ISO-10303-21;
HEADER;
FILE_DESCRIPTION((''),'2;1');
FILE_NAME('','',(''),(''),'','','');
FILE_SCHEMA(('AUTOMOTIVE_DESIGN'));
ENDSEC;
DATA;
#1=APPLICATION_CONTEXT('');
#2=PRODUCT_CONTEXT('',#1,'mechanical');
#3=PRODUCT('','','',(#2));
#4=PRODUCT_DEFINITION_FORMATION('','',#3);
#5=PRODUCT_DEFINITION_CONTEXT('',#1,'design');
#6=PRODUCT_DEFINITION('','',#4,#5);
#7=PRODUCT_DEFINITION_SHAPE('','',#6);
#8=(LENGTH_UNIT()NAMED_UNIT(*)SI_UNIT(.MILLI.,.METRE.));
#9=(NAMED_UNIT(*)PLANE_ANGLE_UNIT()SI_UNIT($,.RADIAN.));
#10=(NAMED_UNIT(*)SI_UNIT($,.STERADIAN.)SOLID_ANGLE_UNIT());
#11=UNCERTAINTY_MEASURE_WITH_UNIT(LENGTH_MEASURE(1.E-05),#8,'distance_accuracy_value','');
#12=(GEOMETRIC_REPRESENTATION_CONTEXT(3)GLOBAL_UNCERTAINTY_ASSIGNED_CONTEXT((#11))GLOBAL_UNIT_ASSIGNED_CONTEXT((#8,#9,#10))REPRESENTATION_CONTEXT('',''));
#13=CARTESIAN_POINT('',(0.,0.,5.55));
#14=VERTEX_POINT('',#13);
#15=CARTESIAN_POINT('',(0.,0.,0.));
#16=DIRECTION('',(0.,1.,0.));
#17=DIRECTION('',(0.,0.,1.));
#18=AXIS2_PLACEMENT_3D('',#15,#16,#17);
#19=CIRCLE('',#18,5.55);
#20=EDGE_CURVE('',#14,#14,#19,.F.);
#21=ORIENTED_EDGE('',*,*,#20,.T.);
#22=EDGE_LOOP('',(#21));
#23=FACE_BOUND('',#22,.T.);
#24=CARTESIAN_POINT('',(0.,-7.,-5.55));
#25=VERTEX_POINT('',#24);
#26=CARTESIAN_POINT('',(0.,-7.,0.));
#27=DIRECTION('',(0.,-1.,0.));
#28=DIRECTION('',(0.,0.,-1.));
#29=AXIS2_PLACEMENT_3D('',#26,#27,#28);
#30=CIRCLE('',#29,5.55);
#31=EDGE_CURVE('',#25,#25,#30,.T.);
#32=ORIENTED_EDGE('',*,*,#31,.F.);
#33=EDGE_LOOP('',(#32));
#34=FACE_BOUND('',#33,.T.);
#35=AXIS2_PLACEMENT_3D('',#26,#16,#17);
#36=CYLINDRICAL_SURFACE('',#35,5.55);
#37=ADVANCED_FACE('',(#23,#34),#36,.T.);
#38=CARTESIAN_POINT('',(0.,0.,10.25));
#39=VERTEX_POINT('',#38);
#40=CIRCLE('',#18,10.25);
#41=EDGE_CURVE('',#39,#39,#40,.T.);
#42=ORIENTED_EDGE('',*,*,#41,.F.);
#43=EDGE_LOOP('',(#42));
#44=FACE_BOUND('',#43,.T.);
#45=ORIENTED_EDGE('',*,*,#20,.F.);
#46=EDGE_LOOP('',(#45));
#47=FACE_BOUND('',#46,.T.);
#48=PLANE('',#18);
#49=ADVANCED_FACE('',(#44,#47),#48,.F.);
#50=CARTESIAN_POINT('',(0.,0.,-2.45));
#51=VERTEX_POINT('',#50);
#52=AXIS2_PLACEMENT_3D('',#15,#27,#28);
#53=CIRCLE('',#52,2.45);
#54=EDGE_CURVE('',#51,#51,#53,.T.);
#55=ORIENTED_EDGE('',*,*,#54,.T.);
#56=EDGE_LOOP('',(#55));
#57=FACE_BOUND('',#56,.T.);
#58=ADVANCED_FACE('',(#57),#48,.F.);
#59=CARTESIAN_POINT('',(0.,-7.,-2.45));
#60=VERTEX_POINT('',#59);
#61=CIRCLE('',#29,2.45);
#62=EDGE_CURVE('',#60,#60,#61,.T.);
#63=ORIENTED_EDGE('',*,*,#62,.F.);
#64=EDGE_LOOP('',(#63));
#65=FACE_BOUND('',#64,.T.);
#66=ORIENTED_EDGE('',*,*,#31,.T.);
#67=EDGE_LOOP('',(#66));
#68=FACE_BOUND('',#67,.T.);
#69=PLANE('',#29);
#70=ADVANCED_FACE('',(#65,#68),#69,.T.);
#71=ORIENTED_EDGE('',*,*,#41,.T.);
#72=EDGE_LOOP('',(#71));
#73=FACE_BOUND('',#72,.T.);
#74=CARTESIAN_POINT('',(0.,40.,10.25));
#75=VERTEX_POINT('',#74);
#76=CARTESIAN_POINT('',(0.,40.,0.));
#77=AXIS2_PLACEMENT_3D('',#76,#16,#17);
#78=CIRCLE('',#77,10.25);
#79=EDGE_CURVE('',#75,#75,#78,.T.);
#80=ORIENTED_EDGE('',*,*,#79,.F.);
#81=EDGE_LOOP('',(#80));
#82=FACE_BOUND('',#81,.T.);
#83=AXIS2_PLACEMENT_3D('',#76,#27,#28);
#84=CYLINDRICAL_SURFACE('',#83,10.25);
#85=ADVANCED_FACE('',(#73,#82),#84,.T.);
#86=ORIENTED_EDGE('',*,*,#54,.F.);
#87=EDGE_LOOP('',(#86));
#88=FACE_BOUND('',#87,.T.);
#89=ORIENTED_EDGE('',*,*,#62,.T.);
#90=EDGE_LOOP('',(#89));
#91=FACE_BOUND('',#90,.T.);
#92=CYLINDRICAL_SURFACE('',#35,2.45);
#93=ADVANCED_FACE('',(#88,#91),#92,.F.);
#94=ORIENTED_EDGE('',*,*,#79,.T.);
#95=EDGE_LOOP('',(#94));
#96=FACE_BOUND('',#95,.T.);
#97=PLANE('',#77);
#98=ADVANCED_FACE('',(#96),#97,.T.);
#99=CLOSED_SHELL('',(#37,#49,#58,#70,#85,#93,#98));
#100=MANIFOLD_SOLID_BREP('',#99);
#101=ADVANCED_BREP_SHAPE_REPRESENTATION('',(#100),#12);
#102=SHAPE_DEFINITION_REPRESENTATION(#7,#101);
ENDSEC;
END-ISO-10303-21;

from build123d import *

# Parameters (mm, degrees)
CROQUIS1_R              = 10.25
SALIENTE_EXTRUIR1_DEPTH = 40
CROQUIS2_R              = 5.55
CROQUIS2_R_2            = 2.45
SALIENTE_EXTRUIR2_DEPTH = 7


with BuildPart() as part:
    # Croquis1 → Saliente-Extruir1 (new body)
    with BuildSketch(Plane(origin=(0, 0, 0), x_dir=(1, 0, 0), z_dir=(0, 1, 0))):
        Circle(CROQUIS1_R)
    extrude(amount=SALIENTE_EXTRUIR1_DEPTH)

    # Croquis2 → Saliente-Extruir2 (add)
    with BuildSketch(Plane.XZ):
        Circle(CROQUIS2_R)
        Circle(CROQUIS2_R_2, mode=Mode.SUBTRACT)
    extrude(amount=SALIENTE_EXTRUIR2_DEPTH)


solid = part.part
